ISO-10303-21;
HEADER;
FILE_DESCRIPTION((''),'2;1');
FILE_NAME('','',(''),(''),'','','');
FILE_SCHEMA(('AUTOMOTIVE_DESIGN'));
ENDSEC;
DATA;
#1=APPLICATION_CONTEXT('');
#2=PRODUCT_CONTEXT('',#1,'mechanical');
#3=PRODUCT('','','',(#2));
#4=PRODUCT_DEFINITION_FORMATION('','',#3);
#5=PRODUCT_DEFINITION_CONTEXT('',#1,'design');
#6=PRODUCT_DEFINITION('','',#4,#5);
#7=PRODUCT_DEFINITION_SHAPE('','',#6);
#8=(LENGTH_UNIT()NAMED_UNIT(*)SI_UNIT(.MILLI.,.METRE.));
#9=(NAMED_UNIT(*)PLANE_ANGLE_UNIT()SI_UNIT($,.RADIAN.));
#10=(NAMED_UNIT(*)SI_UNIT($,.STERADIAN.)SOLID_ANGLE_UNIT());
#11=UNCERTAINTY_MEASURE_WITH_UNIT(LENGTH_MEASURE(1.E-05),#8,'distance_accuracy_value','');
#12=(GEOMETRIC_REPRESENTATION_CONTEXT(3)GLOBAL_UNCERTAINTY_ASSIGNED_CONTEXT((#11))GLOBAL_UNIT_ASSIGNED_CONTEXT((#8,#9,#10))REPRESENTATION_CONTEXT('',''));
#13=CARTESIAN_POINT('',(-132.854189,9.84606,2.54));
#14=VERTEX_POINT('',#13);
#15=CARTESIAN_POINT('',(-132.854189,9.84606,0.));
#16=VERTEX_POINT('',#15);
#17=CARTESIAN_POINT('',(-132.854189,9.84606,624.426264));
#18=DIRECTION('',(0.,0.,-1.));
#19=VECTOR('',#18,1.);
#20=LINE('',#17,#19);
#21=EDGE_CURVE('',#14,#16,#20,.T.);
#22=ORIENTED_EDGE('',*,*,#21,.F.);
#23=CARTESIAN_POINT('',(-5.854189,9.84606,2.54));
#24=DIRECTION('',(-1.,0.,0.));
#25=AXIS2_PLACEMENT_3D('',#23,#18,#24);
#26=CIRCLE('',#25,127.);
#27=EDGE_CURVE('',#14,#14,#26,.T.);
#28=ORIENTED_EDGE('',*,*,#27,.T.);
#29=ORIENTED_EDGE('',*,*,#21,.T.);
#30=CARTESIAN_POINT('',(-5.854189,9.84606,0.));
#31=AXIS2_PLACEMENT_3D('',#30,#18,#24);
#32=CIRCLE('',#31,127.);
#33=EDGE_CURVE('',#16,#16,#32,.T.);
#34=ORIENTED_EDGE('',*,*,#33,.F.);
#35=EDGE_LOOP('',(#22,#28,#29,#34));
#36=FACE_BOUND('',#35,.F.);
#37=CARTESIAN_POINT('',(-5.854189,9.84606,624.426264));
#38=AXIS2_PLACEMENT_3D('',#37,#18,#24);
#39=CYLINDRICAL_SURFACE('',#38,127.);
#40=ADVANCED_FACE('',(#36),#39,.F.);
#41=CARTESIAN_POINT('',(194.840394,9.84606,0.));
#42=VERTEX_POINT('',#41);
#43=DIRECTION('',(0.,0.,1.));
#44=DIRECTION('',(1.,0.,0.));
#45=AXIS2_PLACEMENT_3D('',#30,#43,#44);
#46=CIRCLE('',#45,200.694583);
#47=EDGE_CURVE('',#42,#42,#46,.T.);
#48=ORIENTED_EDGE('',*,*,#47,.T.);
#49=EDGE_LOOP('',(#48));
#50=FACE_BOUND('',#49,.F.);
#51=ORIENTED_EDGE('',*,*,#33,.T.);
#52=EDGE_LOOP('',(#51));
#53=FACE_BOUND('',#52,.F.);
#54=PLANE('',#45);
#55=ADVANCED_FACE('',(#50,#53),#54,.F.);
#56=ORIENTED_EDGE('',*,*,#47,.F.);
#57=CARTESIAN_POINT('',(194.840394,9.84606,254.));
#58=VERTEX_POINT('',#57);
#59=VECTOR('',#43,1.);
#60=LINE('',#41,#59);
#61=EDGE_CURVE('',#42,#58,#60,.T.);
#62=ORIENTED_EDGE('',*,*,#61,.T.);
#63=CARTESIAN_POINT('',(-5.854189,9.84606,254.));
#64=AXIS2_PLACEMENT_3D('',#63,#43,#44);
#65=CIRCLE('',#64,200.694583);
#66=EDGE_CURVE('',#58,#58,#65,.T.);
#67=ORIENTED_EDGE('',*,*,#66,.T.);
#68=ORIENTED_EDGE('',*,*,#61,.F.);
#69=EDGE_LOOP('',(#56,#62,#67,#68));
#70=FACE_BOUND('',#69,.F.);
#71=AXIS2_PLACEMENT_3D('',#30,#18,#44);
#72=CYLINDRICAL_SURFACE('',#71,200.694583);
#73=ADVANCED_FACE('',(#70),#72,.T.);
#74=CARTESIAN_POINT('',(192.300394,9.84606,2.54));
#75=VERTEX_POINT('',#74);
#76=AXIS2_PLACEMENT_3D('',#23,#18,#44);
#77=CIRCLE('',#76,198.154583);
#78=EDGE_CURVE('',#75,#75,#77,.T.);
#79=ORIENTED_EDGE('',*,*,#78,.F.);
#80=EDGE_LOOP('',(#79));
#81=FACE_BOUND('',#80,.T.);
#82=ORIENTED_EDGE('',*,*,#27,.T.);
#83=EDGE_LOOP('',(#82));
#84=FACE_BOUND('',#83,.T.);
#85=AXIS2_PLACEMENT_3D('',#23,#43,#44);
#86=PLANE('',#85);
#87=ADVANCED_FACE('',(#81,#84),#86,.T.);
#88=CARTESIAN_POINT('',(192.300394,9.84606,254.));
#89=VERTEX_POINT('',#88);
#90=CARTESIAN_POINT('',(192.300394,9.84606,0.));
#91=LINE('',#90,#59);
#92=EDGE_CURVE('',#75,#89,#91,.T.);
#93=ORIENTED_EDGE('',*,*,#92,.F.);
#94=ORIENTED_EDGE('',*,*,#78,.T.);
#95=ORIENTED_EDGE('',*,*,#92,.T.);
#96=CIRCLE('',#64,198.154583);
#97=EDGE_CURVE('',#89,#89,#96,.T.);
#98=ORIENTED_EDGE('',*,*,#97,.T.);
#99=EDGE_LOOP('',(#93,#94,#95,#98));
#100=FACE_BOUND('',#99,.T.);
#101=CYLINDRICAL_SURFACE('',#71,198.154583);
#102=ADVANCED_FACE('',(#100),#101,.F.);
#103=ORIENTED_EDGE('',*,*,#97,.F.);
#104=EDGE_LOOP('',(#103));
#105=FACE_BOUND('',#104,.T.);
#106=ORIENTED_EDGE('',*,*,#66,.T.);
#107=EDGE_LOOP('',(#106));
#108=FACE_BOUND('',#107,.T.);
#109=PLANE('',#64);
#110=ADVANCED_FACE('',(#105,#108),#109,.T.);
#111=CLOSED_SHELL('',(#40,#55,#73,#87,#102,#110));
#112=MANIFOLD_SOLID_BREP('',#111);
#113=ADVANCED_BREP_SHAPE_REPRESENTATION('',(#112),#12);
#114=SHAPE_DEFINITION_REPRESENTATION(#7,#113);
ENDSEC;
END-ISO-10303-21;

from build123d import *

# Parameters (mm, degrees)
F0_R     = 200.694583
F1_DEPTH = 254
F2_T     = -2.54
F4_D     = 254


with BuildPart() as f1:
    # F0 (on Top) → F1 (new body)
    with BuildSketch(Plane.XY):
        with Locations((-5.854189, 9.84606)):
            Circle(F0_R)
    extrude(amount=F1_DEPTH)

    # F2
    f2_openings = [f1.faces().sort_by_distance(p)[0] for p in [
        (-5.854189, 9.84606, 254),
    ]]
    offset(amount=F2_T, openings=f2_openings)

    # F4 (through all)
    with Locations(Plane.XY.offset(2.54)):
        with Locations((-5.854189, 9.84606)):
            Hole(F4_D / 2)


solid = f1.part
